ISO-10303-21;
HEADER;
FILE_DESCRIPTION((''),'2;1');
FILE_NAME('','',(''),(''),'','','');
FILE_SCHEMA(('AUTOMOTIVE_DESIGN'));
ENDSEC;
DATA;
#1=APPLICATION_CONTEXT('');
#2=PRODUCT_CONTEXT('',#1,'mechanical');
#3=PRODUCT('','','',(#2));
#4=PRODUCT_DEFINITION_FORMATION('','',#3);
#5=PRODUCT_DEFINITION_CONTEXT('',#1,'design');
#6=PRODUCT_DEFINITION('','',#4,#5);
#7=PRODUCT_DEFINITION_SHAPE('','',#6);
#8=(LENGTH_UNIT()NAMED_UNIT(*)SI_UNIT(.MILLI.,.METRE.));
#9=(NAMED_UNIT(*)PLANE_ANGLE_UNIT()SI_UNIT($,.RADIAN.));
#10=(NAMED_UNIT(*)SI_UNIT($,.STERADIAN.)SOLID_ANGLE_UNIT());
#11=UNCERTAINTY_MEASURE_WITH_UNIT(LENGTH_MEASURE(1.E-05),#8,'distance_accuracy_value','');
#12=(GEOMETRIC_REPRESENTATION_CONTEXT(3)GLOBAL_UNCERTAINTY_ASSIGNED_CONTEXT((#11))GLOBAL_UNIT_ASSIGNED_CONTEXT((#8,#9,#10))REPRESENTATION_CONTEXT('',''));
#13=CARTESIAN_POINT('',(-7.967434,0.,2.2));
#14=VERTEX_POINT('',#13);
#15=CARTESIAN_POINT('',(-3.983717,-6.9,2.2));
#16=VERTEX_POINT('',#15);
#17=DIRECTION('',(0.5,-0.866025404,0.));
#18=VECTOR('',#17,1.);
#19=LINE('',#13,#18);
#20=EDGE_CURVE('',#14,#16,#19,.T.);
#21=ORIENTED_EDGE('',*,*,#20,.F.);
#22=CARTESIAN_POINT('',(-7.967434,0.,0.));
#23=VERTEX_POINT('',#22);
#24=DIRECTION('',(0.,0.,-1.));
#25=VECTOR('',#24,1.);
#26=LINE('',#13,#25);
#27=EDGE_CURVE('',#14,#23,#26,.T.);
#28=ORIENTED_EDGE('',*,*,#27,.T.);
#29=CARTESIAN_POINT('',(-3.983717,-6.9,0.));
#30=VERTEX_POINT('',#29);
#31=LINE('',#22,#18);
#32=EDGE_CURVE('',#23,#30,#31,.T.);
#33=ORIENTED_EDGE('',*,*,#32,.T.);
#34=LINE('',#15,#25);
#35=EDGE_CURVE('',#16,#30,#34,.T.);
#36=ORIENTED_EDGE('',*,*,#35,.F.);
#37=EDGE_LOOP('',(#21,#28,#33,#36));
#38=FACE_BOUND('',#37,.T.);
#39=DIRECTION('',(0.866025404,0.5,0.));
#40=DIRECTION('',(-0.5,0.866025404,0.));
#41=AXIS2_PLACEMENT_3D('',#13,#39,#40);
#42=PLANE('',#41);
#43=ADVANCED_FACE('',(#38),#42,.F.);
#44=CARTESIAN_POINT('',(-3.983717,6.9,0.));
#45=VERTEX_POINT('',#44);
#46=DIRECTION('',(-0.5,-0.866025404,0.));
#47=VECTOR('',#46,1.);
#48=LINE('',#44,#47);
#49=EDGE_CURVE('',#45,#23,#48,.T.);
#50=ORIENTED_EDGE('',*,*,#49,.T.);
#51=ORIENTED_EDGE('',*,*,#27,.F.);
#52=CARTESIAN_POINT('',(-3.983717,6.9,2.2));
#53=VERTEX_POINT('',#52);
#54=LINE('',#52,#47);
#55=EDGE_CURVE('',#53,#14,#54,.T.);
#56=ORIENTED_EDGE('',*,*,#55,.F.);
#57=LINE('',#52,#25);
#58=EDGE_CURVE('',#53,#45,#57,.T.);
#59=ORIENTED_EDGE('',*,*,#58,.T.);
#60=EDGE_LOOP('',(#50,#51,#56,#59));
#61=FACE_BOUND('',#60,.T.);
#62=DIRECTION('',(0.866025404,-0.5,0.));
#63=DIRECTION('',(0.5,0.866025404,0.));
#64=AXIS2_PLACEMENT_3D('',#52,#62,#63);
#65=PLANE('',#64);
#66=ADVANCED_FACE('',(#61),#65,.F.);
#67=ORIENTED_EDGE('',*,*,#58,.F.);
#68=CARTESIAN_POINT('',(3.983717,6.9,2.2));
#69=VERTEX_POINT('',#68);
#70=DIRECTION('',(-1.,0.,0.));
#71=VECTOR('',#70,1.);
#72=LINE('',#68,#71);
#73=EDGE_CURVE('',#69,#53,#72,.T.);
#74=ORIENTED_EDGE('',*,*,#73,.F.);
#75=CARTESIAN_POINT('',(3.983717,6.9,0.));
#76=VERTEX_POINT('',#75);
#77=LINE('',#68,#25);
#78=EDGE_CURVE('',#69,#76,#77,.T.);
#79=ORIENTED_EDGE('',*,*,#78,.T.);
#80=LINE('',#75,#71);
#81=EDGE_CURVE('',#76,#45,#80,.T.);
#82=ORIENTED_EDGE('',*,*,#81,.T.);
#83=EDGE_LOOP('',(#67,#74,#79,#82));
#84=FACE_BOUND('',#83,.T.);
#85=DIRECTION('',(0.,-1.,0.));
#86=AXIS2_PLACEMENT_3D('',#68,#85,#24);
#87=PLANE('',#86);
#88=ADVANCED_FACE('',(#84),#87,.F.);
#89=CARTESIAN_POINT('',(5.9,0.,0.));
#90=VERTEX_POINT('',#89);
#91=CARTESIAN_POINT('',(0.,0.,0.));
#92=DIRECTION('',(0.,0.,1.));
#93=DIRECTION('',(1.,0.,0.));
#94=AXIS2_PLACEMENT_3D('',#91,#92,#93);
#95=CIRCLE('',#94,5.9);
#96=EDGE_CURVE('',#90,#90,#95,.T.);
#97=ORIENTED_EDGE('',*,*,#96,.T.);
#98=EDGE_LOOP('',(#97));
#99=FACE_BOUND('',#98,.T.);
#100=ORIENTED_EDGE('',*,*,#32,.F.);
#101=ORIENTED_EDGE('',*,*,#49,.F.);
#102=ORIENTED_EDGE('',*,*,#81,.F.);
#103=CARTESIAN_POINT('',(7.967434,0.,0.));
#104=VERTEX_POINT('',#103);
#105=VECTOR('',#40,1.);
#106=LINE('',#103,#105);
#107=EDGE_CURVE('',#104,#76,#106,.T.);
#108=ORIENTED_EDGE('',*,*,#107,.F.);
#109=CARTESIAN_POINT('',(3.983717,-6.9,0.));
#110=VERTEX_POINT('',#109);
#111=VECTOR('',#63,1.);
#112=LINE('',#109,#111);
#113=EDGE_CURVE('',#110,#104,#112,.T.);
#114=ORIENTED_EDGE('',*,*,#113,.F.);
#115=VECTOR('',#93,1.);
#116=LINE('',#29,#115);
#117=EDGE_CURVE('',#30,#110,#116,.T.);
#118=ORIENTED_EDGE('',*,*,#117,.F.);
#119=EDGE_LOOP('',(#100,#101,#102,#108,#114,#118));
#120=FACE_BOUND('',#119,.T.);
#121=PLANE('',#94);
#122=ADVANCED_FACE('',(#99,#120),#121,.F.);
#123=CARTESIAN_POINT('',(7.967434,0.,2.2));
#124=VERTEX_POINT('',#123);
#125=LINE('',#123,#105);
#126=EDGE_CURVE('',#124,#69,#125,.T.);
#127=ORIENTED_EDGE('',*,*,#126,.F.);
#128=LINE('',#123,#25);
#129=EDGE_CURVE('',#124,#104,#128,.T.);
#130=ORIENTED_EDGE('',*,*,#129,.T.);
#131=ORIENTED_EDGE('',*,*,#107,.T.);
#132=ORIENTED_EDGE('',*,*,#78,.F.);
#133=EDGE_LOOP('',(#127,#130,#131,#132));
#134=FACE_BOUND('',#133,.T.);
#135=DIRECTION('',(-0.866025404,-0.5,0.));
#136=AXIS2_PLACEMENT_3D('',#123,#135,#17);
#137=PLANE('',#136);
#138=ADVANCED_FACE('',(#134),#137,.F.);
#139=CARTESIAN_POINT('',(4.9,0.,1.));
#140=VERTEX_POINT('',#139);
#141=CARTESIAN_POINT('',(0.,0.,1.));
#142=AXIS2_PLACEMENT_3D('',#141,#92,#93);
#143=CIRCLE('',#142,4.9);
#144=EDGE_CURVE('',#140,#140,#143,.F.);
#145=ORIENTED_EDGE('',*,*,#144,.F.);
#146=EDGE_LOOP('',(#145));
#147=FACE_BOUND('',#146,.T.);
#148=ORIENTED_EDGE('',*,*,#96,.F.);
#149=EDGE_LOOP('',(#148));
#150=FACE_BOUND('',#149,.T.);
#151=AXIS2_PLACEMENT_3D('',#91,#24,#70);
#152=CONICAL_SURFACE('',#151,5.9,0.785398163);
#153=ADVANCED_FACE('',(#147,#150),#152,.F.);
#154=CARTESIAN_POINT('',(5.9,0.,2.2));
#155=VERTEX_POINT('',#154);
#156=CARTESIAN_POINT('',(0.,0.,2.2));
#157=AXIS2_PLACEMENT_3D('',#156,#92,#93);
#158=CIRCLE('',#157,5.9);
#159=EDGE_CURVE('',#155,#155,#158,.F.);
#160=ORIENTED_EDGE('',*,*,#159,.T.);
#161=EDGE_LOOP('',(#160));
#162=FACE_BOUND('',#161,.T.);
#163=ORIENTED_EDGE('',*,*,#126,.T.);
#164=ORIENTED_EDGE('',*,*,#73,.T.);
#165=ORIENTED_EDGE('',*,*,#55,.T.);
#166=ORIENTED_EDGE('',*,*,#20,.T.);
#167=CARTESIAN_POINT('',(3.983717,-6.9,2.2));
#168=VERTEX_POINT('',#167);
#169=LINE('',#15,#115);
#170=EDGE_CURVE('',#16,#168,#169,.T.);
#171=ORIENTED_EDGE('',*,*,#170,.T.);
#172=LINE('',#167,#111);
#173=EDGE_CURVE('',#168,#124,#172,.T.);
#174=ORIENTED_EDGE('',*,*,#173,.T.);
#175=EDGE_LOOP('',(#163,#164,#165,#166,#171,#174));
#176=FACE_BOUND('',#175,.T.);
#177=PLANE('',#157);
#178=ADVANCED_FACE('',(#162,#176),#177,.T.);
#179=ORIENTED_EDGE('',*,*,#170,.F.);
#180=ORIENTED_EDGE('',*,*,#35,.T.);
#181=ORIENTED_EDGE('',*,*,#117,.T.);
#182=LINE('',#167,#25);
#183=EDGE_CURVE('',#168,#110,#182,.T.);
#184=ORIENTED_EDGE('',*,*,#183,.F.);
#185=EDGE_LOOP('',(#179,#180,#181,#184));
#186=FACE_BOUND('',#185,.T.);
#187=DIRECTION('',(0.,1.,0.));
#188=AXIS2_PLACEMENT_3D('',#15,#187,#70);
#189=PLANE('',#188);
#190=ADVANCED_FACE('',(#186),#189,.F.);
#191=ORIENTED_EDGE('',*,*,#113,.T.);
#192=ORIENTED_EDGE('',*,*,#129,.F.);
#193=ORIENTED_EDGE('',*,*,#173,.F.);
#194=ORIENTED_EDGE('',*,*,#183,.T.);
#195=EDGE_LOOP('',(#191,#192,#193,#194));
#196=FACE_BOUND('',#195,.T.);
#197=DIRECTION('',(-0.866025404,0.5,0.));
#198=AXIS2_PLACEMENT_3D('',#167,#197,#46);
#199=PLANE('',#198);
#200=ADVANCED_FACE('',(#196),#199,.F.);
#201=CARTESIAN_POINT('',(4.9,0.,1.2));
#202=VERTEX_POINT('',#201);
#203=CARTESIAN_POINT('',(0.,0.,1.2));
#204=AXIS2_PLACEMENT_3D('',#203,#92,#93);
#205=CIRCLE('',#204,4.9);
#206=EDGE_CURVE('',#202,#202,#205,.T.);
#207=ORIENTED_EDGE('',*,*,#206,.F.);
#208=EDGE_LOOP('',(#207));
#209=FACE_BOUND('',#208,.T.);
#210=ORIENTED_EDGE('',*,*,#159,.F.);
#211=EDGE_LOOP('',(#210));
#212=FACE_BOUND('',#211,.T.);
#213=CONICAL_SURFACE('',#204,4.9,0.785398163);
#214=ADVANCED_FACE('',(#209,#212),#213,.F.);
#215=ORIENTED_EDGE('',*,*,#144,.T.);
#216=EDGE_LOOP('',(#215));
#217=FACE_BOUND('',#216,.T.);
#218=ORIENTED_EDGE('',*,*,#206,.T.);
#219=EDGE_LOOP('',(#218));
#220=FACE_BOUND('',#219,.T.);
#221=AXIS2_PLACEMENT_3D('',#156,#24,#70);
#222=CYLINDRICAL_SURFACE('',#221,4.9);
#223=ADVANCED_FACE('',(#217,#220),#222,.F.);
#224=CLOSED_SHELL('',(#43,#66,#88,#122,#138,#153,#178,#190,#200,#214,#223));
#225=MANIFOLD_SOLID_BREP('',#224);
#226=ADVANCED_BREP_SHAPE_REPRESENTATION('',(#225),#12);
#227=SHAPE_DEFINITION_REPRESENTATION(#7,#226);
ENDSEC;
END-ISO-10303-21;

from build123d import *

# Parameters (mm, degrees)
SKETCH1_R           = 4.9
BOSS_EXTRUDE1_DEPTH = 2.2
CHAMFER1_SIZE       = 1


with BuildPart() as part:
    # Sketch1 → Boss-Extrude1 (new body)
    with BuildSketch(Plane.XY):
        Polygon((3.983716857, 6.9), (-3.983716857, 6.9), (-7.967433715, 0), (-3.983716857, -6.9), (3.983716857, -6.9), (7.967433715, 0), align=None)
        Circle(SKETCH1_R, mode=Mode.SUBTRACT)
    extrude(amount=BOSS_EXTRUDE1_DEPTH)

    # Chamfer1
    chamfer1_edges = [part.edges().sort_by_distance(p)[0] for p in [
        (-4.9, 0, 0),
        (-4.9, 0, 2.2),
    ]]
    chamfer(chamfer1_edges, length=CHAMFER1_SIZE)


solid = part.part
